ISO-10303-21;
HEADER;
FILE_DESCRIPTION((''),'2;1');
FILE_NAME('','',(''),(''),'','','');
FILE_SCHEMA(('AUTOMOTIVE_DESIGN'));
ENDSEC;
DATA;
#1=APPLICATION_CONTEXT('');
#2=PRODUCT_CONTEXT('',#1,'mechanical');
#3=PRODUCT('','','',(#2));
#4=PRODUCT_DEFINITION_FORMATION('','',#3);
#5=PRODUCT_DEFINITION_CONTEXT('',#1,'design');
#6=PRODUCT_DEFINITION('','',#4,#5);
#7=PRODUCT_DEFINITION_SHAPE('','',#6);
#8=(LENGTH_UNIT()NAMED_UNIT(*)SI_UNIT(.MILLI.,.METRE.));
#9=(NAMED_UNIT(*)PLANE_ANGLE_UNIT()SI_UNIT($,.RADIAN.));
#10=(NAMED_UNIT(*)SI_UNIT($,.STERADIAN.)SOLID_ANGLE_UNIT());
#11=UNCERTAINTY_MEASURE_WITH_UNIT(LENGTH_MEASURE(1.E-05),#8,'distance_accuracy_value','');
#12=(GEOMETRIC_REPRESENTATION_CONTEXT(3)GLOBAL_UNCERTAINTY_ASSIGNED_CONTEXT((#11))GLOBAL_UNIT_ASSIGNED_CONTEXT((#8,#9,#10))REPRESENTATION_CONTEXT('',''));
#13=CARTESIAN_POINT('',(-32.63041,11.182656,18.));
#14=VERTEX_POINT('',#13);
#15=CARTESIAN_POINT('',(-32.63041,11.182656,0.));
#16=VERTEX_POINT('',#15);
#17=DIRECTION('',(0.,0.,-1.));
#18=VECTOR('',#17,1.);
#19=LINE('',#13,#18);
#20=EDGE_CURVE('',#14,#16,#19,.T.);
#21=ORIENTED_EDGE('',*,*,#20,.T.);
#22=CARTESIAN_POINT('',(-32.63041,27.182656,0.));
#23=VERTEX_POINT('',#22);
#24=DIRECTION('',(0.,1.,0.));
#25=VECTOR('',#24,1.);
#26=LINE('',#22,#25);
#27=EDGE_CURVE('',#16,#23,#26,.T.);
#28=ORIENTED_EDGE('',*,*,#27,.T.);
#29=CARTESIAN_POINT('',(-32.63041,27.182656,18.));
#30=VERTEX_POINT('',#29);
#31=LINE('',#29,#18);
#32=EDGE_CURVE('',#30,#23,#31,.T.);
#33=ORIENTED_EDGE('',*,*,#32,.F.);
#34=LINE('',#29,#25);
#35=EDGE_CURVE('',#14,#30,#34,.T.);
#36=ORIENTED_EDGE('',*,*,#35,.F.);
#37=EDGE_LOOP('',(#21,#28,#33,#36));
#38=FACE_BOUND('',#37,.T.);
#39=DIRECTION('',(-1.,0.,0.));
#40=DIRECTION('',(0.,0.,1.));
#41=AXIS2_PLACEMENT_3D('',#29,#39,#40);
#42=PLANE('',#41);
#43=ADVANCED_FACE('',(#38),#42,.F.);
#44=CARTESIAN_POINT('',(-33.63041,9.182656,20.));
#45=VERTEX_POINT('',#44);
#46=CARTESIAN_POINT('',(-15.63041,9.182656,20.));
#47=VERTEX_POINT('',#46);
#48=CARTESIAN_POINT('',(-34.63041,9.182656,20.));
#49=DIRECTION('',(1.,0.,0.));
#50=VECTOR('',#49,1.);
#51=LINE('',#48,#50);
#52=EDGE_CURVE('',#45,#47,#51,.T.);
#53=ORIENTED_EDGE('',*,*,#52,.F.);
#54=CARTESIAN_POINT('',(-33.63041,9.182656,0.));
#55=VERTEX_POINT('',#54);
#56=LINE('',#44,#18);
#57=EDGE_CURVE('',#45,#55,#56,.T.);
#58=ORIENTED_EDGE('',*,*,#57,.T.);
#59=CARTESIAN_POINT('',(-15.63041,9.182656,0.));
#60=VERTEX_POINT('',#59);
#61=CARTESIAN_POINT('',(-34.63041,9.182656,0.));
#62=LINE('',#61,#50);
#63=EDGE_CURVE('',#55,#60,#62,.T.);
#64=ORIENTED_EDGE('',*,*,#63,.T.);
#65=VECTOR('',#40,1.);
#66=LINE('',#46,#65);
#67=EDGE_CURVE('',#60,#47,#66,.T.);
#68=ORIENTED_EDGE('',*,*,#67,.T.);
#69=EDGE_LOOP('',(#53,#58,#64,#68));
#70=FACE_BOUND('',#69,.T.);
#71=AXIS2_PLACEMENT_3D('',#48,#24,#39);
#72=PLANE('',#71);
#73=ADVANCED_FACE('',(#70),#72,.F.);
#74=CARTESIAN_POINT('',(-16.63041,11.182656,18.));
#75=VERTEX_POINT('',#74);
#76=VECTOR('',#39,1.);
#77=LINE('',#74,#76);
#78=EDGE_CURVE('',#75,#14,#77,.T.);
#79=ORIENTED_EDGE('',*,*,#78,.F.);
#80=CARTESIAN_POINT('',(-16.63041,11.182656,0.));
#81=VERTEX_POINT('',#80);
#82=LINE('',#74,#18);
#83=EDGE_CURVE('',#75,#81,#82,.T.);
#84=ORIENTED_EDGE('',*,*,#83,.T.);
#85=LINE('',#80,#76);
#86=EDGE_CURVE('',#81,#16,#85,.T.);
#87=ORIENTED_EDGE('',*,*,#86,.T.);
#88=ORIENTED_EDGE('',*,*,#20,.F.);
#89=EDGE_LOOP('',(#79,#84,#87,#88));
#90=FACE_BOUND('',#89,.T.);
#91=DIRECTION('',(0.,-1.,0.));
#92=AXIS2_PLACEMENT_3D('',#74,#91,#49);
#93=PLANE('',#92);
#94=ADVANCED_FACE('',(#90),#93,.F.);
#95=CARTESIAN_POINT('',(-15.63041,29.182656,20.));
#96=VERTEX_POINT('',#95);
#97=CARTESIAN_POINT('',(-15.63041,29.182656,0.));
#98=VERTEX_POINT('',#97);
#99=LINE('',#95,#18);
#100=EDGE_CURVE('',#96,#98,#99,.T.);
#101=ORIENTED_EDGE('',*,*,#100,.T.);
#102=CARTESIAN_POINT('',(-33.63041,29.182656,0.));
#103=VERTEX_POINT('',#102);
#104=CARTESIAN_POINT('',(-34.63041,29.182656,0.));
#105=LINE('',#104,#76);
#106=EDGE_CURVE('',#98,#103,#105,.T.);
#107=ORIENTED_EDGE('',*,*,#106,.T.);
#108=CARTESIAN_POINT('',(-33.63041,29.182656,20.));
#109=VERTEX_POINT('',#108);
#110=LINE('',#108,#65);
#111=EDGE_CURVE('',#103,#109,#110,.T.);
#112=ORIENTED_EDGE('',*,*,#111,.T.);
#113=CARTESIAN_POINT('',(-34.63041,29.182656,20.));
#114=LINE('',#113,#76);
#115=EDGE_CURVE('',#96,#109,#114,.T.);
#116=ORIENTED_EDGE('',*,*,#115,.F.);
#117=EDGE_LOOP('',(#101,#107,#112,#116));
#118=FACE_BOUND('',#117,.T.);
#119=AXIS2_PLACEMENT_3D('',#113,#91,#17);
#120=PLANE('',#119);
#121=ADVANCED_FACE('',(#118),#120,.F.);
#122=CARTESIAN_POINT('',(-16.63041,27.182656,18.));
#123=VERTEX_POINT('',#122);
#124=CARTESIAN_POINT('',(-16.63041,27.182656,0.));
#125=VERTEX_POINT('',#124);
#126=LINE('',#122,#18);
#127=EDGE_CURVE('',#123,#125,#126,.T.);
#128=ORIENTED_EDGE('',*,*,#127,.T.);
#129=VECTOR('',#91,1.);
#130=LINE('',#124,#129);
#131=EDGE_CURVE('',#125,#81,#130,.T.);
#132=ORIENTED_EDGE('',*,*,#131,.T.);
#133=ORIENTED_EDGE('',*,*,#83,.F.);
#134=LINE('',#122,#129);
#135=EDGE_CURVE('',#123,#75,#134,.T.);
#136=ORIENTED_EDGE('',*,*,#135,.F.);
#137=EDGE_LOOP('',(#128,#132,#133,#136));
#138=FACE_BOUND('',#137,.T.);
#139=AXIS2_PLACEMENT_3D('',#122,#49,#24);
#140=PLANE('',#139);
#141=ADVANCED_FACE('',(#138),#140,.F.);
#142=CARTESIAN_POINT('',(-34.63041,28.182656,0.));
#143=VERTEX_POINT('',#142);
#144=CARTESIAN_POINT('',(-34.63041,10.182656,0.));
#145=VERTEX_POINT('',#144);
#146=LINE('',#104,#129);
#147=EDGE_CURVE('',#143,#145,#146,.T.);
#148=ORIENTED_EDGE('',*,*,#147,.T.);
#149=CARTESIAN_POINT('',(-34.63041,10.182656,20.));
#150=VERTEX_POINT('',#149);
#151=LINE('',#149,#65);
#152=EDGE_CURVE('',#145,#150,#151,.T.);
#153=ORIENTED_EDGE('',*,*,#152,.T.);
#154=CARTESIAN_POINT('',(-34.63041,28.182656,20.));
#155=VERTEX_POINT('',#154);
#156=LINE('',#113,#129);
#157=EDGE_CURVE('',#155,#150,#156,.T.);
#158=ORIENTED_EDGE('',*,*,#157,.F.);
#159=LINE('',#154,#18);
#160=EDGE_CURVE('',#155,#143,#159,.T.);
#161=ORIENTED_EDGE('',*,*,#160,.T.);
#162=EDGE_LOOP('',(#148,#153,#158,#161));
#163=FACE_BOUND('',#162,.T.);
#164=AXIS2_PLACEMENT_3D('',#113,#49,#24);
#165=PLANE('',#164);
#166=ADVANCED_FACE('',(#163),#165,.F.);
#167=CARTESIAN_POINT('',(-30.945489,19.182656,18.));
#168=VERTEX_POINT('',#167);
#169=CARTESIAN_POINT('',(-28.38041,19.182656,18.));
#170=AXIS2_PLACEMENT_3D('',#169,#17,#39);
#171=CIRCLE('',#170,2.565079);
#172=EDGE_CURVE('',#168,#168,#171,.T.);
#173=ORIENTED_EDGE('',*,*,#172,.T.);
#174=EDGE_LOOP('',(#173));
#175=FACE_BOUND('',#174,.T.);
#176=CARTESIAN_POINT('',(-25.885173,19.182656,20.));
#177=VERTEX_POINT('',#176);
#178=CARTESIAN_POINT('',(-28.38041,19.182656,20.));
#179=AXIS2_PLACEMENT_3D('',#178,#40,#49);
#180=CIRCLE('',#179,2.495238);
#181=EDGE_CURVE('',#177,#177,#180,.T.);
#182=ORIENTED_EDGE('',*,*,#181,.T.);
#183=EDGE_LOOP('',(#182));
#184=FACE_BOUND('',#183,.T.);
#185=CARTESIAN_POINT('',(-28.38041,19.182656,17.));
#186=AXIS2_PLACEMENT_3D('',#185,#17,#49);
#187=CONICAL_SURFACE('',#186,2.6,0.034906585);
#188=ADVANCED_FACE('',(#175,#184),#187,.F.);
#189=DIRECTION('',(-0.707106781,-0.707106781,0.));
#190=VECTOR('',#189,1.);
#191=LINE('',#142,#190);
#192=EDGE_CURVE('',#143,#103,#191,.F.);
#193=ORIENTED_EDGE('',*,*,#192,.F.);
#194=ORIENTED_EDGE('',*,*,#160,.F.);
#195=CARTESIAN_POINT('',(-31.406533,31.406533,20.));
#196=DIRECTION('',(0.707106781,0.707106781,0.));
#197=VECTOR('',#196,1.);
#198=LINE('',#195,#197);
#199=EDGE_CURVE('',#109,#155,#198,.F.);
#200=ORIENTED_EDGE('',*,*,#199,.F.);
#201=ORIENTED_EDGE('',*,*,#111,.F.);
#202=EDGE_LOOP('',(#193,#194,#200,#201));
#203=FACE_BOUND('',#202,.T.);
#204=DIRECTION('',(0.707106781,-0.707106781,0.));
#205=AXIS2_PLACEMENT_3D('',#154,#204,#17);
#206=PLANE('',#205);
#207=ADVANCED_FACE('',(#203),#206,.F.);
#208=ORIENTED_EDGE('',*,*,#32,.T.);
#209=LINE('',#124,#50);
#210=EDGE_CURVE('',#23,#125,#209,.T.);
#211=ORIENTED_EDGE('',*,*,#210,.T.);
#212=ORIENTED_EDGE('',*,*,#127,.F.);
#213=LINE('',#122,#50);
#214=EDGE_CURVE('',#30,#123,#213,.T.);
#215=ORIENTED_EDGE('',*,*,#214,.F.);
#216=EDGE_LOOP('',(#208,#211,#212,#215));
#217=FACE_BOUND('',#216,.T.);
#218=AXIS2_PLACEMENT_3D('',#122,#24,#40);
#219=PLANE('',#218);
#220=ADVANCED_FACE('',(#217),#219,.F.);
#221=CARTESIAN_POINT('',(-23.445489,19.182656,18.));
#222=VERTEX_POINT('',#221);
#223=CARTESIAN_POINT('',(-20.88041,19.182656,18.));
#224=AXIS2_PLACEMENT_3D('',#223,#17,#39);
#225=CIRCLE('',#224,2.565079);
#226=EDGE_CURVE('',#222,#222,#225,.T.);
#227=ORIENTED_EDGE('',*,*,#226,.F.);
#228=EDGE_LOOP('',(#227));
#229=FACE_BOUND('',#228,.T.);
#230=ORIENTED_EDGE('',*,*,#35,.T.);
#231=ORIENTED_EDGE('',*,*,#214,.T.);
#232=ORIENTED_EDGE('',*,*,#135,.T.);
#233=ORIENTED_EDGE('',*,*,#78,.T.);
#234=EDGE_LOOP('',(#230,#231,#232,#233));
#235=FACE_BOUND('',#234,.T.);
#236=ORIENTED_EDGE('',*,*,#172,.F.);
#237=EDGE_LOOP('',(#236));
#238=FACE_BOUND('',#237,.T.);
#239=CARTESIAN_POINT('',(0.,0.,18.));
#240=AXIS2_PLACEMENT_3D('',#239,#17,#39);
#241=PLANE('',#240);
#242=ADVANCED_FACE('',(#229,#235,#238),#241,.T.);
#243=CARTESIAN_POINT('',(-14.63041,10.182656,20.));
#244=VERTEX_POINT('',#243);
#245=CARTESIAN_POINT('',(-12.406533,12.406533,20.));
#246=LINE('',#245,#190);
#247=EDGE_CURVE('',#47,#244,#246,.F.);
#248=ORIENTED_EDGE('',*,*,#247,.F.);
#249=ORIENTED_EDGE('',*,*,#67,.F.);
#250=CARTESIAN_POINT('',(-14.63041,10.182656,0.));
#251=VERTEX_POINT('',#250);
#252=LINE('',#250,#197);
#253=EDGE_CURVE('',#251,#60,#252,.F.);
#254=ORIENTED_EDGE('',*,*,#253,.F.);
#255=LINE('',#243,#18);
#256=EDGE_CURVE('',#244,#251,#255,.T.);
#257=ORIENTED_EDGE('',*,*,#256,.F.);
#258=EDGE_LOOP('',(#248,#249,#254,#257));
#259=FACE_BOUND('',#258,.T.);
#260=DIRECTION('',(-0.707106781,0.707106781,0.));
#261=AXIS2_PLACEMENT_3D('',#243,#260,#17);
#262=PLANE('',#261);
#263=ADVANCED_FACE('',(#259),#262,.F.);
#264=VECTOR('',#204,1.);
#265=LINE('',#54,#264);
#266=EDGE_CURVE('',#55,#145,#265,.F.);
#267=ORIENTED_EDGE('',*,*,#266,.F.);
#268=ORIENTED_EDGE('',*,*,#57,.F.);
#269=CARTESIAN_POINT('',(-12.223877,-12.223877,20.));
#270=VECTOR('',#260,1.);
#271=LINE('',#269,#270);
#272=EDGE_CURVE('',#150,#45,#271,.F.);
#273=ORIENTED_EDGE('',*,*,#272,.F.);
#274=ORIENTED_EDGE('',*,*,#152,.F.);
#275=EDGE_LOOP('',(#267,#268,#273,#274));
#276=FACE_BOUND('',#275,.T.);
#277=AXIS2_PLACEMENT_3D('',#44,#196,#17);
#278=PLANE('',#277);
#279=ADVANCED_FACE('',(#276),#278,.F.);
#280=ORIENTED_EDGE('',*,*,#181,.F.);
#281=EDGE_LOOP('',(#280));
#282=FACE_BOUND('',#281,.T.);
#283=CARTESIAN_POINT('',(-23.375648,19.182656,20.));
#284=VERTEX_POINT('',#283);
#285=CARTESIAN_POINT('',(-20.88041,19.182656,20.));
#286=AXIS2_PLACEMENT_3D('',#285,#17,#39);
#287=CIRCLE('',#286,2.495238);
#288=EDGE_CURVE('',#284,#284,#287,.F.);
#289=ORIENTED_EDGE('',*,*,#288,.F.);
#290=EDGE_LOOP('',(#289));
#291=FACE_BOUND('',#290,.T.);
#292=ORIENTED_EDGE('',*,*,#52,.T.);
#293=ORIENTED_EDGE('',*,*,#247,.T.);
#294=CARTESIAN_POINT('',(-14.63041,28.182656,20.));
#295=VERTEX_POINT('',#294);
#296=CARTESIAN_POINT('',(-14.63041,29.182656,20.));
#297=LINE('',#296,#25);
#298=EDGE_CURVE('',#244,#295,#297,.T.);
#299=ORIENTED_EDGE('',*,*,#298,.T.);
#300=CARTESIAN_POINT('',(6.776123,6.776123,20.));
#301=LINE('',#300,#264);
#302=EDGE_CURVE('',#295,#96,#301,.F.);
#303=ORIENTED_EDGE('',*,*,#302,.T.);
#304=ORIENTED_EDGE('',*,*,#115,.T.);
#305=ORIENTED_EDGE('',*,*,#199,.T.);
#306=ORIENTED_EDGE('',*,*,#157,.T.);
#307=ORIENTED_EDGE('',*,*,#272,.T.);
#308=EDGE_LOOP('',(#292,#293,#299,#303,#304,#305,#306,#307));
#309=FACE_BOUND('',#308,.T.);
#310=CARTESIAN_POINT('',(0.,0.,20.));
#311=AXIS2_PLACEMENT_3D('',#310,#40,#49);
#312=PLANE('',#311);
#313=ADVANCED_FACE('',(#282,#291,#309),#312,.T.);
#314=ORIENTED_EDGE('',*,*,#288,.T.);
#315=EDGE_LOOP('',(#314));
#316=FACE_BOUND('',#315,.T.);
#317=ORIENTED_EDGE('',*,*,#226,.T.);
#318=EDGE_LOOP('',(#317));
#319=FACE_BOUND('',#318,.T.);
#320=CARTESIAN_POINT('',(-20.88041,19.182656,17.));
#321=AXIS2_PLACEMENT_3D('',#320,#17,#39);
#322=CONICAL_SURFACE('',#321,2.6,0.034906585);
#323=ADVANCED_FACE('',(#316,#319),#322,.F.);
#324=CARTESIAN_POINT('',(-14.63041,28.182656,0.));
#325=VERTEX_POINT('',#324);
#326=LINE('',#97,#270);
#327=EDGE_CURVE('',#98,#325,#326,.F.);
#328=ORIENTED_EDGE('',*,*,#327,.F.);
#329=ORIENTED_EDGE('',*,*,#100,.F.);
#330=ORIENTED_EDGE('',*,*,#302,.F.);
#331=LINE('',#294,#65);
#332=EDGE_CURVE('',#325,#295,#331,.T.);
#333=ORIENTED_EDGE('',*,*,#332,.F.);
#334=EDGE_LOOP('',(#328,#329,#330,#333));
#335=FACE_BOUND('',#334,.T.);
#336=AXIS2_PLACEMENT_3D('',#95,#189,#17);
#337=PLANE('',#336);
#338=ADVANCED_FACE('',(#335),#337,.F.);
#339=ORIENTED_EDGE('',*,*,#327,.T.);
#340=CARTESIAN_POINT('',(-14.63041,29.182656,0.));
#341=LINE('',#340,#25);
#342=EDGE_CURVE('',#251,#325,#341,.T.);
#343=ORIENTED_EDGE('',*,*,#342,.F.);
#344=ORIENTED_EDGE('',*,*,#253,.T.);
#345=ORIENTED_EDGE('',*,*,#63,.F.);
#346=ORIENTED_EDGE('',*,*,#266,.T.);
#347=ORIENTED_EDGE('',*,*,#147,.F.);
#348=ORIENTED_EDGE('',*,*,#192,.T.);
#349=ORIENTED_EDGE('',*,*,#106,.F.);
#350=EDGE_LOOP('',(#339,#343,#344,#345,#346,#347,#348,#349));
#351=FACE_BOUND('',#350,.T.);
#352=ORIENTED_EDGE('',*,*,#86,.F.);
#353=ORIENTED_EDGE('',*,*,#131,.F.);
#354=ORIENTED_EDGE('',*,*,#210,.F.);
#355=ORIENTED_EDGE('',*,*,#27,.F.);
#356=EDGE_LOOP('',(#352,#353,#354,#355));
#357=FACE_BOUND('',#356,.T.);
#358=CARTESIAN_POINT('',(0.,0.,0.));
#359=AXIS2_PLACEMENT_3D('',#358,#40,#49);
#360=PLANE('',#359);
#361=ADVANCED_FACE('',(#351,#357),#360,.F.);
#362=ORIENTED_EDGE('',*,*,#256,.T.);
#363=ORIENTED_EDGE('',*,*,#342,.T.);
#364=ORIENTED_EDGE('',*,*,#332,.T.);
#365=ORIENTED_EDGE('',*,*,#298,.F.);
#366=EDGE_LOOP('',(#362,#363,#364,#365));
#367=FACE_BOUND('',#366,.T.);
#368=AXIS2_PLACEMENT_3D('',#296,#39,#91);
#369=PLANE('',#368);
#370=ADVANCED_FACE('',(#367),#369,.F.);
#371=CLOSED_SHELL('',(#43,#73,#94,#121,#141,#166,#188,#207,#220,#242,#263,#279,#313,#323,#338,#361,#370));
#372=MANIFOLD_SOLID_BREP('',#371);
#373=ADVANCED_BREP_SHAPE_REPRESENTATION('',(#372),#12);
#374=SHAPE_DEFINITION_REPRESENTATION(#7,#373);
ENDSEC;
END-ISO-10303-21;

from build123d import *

# Parameters (mm, degrees)
ESQUISSE1_W                       = 20
ESQUISSE1_H                       = 20
BOSS_EXTRU_1_DEPTH                = 20
ENL_V_START                       = -3
ESQUISSE2_R                       = 2.6
ENL_V_MAT_EXTRU_1_DEPTH           = 53.506491459
ENL_V_MAT_EXTRU_1_DRAFT           = 2
ENL_V_MAT_EXTRU_1_PROFILE_2_DEPTH = 53.506491459
ENL_V_MAT_EXTRU_1_PROFILE_2_DRAFT = 2
ESQUISSE3_W                       = 16
ESQUISSE3_H                       = 16
ENL_V_MAT_EXTRU_2_DEPTH           = 18
CHANFREIN1_SIZE                   = 1


with BuildPart() as part:
    # Esquisse1 → Boss.-Extru.1 (new body)
    with BuildSketch(Plane.XY):
        with Locations((-24.630410255, 19.182655502)):
            Rectangle(ESQUISSE1_W, ESQUISSE1_H)
    extrude(amount=BOSS_EXTRU_1_DEPTH)


with BuildPart() as enl_v_mat_extru_1_tool:
    # Esquisse2 → Enlèv. mat.-Extru.1 (with draft: the straight prism first)
    with BuildSketch(Plane.XY.offset(20).offset(ENL_V_START)):
        with Locations((-28.380410255, 19.182655502)):
            Circle(ESQUISSE2_R)
    extrude(amount=ENL_V_MAT_EXTRU_1_DEPTH)
    # Enlèv. mat.-Extru.1: the draft: its side faces are tilted about the plane it starts from
    enl_v_mat_extru_1_sides = [enl_v_mat_extru_1_tool.faces().sort_by_distance(p)[0] for p in [
        (-30.980410255, 19.182655502, 43.75324573),
    ]]
    draft(enl_v_mat_extru_1_sides, Plane.XY.offset(20).offset(ENL_V_START), ENL_V_MAT_EXTRU_1_DRAFT)


with BuildPart() as part_1:
    add(part.part)

    # Enlèv. mat.-Extru.1: cut by enl_v_mat_extru_1_tool
    add(enl_v_mat_extru_1_tool.part, mode=Mode.SUBTRACT)


with BuildPart() as enl_v_mat_extru_1_profile_2_tool:
    # Esquisse2 → Enlèv. mat.-Extru.1 profile 2 (with draft: the straight prism first)
    with BuildSketch(Plane.XY.offset(20).offset(ENL_V_START)):
        with Locations((-20.880410255, 19.182655502)):
            Circle(ESQUISSE2_R)
    extrude(amount=ENL_V_MAT_EXTRU_1_PROFILE_2_DEPTH)
    # Enlèv. mat.-Extru.1 profile 2: the draft: its side faces are tilted about the plane it starts from
    enl_v_mat_extru_1_profile_2_sides = [enl_v_mat_extru_1_profile_2_tool.faces().sort_by_distance(p)[0] for p in [
        (-23.480410255, 19.182655502, 43.75324573),
    ]]
    draft(enl_v_mat_extru_1_profile_2_sides, Plane.XY.offset(20).offset(ENL_V_START), ENL_V_MAT_EXTRU_1_PROFILE_2_DRAFT)


with BuildPart() as part_2:
    add(part_1.part)

    # Enlèv. mat.-Extru.1 profile 2: cut by enl_v_mat_extru_1_profile_2_tool
    add(enl_v_mat_extru_1_profile_2_tool.part, mode=Mode.SUBTRACT)

    # Esquisse3 → Enlèv. mat.-Extru.2 (cut)
    with BuildSketch(Plane(origin=(0, 0, 0), x_dir=(-1, 0, 0), z_dir=(0, 0, -1))):
        with Locations((24.630410255, 19.182655502)):
            Rectangle(ESQUISSE3_W, ESQUISSE3_H)
    extrude(amount=-ENL_V_MAT_EXTRU_2_DEPTH, mode=Mode.SUBTRACT)

    # Chanfrein1
    chanfrein1_edges = [part_2.edges().sort_by_distance(p)[0] for p in [
        (-34.630410255, 29.182655502, 10),
        (-14.630410255, 29.182655502, 10),
        (-14.630410255, 9.182655502, 10),
        (-34.630410255, 9.182655502, 10),
    ]]
    chamfer(chanfrein1_edges, length=CHANFREIN1_SIZE)


solid = part_2.part
